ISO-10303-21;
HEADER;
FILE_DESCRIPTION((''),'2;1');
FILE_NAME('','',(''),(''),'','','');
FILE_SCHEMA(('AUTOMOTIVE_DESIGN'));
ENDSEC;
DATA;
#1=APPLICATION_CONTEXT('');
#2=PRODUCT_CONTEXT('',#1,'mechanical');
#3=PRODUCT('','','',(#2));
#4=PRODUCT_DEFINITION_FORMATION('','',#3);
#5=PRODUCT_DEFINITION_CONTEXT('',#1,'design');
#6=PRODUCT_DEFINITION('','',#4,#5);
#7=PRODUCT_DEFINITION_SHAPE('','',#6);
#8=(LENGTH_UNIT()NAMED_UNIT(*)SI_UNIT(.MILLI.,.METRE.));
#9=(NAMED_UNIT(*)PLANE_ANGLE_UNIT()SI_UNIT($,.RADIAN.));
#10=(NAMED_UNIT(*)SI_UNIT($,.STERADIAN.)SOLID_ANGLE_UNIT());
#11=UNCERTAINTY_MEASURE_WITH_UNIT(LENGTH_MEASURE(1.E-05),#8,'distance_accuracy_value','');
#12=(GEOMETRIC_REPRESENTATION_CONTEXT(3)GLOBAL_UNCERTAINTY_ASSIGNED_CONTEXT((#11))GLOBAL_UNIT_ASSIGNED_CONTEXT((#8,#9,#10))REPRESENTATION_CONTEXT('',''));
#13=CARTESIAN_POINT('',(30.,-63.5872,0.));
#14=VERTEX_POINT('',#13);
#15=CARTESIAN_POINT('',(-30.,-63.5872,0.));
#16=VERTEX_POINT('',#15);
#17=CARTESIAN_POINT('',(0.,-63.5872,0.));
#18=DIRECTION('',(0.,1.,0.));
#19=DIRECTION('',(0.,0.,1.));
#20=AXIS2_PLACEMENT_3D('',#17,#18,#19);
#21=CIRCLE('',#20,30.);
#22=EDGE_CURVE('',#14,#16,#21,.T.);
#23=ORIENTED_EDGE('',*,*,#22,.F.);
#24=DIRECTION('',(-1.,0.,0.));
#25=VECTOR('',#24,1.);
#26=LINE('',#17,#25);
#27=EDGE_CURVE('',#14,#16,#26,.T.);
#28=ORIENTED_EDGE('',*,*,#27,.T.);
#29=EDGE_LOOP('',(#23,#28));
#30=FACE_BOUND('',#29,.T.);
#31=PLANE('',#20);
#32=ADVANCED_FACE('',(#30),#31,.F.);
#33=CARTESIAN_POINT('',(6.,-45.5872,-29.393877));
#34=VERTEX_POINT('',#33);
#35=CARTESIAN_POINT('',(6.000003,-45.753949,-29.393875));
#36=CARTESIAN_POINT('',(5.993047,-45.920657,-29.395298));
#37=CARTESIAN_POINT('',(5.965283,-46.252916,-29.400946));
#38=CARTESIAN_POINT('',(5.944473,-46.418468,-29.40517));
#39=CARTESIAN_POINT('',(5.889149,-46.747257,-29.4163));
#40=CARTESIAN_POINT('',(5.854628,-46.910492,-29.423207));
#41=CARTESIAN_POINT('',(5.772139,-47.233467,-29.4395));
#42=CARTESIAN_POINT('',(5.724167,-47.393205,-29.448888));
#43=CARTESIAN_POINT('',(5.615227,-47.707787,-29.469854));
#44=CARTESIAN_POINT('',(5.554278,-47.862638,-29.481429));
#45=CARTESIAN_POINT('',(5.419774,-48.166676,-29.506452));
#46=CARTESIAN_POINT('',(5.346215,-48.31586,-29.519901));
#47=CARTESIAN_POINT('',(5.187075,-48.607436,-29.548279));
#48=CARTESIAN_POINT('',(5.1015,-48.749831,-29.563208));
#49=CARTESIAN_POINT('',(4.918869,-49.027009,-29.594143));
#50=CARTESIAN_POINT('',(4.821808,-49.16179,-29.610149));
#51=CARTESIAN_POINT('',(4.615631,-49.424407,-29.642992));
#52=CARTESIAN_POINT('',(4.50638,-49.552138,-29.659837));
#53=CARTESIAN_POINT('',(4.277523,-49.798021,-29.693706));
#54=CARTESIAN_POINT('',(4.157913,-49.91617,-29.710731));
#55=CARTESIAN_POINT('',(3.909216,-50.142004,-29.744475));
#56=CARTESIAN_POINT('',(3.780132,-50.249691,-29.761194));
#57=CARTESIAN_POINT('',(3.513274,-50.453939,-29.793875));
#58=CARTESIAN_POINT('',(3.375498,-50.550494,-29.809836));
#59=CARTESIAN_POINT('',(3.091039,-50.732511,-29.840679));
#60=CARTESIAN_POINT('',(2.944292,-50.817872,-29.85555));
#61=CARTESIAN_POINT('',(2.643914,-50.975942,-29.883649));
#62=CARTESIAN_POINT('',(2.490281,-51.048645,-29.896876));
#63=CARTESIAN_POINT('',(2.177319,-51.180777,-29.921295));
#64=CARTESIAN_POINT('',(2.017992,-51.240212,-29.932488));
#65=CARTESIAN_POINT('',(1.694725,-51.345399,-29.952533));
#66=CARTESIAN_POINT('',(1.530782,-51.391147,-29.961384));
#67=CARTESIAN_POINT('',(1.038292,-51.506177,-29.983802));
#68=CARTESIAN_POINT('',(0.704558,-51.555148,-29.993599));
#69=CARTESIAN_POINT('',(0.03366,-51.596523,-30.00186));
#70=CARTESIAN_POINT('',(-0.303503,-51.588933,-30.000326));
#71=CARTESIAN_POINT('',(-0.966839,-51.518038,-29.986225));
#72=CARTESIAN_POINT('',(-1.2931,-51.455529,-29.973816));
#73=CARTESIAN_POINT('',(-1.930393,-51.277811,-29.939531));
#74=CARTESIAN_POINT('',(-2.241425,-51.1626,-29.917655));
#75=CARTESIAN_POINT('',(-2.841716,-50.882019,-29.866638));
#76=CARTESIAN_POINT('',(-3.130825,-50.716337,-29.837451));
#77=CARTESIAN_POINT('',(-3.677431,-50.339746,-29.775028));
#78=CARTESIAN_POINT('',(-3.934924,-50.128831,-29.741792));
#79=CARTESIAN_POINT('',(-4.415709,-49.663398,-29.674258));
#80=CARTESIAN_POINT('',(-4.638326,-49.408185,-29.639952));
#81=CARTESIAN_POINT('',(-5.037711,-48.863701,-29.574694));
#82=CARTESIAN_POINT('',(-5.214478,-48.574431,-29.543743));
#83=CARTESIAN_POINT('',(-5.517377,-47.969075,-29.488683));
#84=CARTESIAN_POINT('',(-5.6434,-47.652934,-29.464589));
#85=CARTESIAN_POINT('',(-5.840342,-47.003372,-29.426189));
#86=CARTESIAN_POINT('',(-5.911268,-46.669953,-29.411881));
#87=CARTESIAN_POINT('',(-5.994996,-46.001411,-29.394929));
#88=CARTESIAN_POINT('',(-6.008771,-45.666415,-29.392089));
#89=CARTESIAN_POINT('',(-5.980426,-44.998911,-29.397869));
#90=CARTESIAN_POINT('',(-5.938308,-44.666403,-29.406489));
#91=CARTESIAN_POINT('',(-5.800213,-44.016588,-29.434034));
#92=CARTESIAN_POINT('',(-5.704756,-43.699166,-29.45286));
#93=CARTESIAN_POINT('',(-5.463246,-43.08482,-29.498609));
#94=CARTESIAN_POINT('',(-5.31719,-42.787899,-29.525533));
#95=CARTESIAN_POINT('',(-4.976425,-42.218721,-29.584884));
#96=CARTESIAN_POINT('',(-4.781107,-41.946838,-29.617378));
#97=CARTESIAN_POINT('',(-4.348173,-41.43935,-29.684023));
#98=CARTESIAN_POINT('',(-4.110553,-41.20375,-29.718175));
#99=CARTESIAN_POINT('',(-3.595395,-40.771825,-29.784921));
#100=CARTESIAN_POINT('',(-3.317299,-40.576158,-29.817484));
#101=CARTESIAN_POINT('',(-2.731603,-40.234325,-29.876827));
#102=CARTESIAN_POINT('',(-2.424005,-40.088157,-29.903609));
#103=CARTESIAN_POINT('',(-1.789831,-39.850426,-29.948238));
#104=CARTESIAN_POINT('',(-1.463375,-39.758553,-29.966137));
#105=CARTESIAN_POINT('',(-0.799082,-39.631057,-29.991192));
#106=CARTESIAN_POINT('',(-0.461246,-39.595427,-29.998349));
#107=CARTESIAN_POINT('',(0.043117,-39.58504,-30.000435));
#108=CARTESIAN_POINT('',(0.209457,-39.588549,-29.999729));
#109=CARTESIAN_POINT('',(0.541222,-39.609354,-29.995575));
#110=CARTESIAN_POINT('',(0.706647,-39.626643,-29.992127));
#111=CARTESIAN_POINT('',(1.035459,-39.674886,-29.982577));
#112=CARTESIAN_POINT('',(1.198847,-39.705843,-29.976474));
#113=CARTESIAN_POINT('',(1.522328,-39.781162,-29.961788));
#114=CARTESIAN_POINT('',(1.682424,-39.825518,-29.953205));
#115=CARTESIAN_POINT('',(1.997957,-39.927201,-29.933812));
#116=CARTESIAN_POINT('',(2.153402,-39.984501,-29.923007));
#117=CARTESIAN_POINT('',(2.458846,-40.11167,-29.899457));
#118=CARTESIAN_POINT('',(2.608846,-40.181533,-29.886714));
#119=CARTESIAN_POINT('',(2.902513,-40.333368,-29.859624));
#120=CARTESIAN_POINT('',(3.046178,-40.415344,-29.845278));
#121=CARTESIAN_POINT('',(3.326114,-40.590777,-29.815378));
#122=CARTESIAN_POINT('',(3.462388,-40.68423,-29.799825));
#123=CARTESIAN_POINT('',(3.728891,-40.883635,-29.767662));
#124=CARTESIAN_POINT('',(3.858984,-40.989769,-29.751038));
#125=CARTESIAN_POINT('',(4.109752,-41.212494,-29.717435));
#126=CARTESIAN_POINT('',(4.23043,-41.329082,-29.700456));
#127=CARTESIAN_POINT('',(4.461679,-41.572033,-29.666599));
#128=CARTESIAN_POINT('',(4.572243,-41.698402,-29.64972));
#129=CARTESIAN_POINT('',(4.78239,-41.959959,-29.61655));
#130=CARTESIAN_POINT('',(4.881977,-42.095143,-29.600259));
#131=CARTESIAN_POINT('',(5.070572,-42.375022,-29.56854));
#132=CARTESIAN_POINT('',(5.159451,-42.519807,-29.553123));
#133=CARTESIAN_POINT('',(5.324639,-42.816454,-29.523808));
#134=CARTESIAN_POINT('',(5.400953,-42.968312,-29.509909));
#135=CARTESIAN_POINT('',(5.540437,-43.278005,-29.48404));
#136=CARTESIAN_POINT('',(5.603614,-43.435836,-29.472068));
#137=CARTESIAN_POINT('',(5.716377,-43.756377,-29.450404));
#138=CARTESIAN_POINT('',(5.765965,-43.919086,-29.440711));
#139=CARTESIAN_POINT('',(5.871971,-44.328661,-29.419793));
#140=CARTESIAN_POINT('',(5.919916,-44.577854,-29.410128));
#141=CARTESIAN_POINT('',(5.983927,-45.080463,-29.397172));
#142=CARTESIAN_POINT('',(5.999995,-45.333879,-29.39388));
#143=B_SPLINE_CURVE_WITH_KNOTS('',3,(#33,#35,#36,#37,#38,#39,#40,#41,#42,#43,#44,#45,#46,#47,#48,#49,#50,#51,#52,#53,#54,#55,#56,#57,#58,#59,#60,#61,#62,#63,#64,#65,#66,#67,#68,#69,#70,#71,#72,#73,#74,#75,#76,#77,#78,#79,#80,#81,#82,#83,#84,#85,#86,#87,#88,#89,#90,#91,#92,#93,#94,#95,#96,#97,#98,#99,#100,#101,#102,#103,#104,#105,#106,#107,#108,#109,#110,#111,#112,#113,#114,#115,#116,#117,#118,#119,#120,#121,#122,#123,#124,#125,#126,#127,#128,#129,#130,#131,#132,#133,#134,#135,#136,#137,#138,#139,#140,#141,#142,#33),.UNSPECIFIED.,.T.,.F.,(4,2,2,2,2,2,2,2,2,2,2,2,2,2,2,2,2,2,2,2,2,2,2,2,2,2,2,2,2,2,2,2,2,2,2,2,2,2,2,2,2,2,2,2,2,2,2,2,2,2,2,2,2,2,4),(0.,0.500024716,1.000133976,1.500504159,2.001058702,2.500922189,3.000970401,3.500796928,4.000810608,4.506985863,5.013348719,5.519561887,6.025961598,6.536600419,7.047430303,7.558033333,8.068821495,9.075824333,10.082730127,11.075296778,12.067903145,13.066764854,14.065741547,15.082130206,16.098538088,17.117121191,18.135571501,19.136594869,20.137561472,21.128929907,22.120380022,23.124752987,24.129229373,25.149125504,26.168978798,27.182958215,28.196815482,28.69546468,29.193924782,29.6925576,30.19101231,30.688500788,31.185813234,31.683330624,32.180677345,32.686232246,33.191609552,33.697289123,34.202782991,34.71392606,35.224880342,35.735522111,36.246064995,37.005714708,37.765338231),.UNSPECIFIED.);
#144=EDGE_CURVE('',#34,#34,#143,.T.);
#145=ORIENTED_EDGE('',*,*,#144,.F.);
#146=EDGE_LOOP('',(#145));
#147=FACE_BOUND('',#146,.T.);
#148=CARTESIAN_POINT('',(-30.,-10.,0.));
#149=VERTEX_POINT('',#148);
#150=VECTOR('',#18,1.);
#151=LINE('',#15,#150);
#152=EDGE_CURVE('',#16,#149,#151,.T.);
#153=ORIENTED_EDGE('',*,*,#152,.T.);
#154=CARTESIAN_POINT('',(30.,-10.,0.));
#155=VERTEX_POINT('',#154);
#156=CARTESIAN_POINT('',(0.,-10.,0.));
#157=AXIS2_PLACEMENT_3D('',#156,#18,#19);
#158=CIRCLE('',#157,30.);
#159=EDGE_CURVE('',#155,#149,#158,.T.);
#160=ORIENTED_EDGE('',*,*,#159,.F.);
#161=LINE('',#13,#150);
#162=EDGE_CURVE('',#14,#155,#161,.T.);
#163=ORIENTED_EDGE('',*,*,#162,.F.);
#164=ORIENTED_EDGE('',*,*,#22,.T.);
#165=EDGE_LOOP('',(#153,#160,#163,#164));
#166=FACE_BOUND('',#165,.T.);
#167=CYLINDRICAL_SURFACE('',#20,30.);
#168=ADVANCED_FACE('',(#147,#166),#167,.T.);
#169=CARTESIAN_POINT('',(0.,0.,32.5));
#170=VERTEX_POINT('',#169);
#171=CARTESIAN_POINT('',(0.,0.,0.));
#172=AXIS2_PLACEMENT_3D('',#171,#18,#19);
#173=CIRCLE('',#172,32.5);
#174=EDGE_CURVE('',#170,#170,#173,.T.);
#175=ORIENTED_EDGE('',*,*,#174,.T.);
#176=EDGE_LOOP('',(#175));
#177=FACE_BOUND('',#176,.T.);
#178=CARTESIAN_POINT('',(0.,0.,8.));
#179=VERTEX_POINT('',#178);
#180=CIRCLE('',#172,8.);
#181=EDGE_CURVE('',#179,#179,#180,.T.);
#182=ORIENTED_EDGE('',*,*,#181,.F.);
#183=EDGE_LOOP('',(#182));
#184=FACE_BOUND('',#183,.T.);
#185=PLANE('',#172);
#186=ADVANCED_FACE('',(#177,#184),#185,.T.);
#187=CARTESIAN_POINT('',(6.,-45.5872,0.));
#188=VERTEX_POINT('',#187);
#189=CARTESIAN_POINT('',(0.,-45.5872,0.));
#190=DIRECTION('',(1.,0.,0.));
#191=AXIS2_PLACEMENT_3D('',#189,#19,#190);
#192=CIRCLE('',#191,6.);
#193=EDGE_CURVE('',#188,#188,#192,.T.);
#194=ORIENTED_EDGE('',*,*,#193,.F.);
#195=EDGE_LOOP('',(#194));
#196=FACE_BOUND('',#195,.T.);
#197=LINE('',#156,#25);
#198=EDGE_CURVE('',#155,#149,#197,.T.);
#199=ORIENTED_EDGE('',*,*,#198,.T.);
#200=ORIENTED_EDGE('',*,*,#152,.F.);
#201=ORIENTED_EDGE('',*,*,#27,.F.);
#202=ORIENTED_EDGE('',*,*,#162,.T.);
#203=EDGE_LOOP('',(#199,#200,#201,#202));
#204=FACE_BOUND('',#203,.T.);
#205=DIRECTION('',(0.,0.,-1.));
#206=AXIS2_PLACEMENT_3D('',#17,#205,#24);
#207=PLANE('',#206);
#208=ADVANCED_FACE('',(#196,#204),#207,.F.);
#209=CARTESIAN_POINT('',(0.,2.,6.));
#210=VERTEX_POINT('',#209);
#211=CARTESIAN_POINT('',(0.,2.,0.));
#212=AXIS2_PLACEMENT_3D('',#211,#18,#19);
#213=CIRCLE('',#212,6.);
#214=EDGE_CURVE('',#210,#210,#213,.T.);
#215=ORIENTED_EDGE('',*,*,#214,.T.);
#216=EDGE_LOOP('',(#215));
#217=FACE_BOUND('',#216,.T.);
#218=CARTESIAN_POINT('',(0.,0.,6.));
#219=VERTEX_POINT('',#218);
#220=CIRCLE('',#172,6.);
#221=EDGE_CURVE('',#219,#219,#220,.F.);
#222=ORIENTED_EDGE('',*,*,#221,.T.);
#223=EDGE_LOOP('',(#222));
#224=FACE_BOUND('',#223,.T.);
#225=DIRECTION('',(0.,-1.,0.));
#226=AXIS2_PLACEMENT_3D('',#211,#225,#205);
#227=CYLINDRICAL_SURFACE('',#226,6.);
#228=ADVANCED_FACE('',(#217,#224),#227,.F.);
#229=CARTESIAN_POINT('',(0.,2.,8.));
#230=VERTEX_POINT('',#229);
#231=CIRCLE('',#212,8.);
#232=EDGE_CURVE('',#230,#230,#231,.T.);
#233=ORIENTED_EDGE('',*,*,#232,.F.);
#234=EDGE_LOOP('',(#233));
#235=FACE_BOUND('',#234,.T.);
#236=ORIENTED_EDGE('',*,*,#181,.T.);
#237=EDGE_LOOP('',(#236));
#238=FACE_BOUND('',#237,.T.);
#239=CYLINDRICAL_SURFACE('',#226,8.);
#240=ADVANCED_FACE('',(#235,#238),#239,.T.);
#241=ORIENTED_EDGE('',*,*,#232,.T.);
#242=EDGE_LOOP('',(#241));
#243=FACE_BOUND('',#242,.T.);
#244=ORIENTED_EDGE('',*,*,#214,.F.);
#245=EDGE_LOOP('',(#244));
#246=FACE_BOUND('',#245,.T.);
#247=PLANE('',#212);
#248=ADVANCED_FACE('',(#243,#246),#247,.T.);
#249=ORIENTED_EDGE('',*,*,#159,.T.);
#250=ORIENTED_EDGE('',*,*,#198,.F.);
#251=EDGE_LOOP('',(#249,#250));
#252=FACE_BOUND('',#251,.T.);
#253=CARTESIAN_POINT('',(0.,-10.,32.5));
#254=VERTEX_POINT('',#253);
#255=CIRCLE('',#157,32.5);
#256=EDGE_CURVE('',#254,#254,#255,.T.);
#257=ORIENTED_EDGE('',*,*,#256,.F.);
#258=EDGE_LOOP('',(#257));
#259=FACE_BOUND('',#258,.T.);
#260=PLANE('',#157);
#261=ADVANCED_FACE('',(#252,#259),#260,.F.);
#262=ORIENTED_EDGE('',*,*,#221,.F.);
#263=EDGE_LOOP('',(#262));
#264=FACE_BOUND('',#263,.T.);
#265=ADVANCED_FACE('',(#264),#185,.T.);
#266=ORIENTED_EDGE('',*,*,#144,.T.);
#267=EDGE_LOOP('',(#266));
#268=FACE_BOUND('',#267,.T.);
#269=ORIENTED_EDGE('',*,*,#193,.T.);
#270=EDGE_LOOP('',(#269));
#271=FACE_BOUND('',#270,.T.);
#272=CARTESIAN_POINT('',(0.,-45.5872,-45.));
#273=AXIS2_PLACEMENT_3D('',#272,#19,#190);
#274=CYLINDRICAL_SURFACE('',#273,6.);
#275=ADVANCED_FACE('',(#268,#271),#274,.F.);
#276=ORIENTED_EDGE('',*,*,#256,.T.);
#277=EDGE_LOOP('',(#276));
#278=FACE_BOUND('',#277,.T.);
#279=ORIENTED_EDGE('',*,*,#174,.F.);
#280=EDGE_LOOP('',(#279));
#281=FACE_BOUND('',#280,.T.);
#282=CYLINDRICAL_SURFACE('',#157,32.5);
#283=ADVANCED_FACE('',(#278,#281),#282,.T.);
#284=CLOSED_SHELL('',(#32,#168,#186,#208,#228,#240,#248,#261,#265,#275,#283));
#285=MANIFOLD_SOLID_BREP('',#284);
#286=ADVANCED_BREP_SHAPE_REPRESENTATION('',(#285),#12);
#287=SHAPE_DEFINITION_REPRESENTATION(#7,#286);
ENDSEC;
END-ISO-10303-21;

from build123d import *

# Parameters (mm, degrees)
SKETCH1_R           = 32.5
SKETCH1_R_2         = 30
BOSS_EXTRUDE3_DEPTH = 10
BOSS_EXTRUDE4_DEPTH = 63.5872
BOSS_EXTRUDE5_DEPTH = 10
SKETCH2_R           = 6
CUT_EXTRUDE1_DEPTH  = 45
SKETCH3_R           = 8
SKETCH3_R_2         = 6
BOSS_EXTRUDE6_DEPTH = 2


with BuildPart() as part:
    # Sketch1 → Boss-Extrude3 (new body)
    with BuildSketch(Plane(origin=(0, 0, 0), x_dir=(1, 0, 0), z_dir=(0, 1, 0))):
        Circle(SKETCH1_R)
        Circle(SKETCH1_R_2, mode=Mode.SUBTRACT)
    extrude(amount=-BOSS_EXTRUDE3_DEPTH)

    # Sketch1<3> → Boss-Extrude4 (add)
    with BuildSketch(Plane(origin=(0, 0, 0), x_dir=(1, 0, 0), z_dir=(0, 1, 0))):
        with BuildLine():
            Line((-30, 0), (30, 0))
            ThreePointArc((30, 0), (0, 30), (-30, 0))
        make_face()
    extrude(amount=-BOSS_EXTRUDE4_DEPTH)

    # Sketch1<4> → Boss-Extrude5 (add)
    with BuildSketch(Plane(origin=(0, 0, 0), x_dir=(1, 0, 0), z_dir=(0, 1, 0))):
        with BuildLine():
            ThreePointArc((-30, 0), (0, -30), (30, 0))
            Line((30, 0), (-30, 0))
        make_face()
    extrude(amount=-BOSS_EXTRUDE5_DEPTH)

    # Sketch2 → Cut-Extrude1 (cut)
    with BuildSketch(Plane.XY):
        with Locations((0, -45.5872)):
            Circle(SKETCH2_R)
    extrude(amount=-CUT_EXTRUDE1_DEPTH, mode=Mode.SUBTRACT)

    # Sketch3 → Boss-Extrude6 (add)
    with BuildSketch(Plane(origin=(0, 0, 0), x_dir=(1, 0, 0), z_dir=(0, 1, 0))):
        Circle(SKETCH3_R)
        Circle(SKETCH3_R_2, mode=Mode.SUBTRACT)
    extrude(amount=BOSS_EXTRUDE6_DEPTH)


solid = part.part
